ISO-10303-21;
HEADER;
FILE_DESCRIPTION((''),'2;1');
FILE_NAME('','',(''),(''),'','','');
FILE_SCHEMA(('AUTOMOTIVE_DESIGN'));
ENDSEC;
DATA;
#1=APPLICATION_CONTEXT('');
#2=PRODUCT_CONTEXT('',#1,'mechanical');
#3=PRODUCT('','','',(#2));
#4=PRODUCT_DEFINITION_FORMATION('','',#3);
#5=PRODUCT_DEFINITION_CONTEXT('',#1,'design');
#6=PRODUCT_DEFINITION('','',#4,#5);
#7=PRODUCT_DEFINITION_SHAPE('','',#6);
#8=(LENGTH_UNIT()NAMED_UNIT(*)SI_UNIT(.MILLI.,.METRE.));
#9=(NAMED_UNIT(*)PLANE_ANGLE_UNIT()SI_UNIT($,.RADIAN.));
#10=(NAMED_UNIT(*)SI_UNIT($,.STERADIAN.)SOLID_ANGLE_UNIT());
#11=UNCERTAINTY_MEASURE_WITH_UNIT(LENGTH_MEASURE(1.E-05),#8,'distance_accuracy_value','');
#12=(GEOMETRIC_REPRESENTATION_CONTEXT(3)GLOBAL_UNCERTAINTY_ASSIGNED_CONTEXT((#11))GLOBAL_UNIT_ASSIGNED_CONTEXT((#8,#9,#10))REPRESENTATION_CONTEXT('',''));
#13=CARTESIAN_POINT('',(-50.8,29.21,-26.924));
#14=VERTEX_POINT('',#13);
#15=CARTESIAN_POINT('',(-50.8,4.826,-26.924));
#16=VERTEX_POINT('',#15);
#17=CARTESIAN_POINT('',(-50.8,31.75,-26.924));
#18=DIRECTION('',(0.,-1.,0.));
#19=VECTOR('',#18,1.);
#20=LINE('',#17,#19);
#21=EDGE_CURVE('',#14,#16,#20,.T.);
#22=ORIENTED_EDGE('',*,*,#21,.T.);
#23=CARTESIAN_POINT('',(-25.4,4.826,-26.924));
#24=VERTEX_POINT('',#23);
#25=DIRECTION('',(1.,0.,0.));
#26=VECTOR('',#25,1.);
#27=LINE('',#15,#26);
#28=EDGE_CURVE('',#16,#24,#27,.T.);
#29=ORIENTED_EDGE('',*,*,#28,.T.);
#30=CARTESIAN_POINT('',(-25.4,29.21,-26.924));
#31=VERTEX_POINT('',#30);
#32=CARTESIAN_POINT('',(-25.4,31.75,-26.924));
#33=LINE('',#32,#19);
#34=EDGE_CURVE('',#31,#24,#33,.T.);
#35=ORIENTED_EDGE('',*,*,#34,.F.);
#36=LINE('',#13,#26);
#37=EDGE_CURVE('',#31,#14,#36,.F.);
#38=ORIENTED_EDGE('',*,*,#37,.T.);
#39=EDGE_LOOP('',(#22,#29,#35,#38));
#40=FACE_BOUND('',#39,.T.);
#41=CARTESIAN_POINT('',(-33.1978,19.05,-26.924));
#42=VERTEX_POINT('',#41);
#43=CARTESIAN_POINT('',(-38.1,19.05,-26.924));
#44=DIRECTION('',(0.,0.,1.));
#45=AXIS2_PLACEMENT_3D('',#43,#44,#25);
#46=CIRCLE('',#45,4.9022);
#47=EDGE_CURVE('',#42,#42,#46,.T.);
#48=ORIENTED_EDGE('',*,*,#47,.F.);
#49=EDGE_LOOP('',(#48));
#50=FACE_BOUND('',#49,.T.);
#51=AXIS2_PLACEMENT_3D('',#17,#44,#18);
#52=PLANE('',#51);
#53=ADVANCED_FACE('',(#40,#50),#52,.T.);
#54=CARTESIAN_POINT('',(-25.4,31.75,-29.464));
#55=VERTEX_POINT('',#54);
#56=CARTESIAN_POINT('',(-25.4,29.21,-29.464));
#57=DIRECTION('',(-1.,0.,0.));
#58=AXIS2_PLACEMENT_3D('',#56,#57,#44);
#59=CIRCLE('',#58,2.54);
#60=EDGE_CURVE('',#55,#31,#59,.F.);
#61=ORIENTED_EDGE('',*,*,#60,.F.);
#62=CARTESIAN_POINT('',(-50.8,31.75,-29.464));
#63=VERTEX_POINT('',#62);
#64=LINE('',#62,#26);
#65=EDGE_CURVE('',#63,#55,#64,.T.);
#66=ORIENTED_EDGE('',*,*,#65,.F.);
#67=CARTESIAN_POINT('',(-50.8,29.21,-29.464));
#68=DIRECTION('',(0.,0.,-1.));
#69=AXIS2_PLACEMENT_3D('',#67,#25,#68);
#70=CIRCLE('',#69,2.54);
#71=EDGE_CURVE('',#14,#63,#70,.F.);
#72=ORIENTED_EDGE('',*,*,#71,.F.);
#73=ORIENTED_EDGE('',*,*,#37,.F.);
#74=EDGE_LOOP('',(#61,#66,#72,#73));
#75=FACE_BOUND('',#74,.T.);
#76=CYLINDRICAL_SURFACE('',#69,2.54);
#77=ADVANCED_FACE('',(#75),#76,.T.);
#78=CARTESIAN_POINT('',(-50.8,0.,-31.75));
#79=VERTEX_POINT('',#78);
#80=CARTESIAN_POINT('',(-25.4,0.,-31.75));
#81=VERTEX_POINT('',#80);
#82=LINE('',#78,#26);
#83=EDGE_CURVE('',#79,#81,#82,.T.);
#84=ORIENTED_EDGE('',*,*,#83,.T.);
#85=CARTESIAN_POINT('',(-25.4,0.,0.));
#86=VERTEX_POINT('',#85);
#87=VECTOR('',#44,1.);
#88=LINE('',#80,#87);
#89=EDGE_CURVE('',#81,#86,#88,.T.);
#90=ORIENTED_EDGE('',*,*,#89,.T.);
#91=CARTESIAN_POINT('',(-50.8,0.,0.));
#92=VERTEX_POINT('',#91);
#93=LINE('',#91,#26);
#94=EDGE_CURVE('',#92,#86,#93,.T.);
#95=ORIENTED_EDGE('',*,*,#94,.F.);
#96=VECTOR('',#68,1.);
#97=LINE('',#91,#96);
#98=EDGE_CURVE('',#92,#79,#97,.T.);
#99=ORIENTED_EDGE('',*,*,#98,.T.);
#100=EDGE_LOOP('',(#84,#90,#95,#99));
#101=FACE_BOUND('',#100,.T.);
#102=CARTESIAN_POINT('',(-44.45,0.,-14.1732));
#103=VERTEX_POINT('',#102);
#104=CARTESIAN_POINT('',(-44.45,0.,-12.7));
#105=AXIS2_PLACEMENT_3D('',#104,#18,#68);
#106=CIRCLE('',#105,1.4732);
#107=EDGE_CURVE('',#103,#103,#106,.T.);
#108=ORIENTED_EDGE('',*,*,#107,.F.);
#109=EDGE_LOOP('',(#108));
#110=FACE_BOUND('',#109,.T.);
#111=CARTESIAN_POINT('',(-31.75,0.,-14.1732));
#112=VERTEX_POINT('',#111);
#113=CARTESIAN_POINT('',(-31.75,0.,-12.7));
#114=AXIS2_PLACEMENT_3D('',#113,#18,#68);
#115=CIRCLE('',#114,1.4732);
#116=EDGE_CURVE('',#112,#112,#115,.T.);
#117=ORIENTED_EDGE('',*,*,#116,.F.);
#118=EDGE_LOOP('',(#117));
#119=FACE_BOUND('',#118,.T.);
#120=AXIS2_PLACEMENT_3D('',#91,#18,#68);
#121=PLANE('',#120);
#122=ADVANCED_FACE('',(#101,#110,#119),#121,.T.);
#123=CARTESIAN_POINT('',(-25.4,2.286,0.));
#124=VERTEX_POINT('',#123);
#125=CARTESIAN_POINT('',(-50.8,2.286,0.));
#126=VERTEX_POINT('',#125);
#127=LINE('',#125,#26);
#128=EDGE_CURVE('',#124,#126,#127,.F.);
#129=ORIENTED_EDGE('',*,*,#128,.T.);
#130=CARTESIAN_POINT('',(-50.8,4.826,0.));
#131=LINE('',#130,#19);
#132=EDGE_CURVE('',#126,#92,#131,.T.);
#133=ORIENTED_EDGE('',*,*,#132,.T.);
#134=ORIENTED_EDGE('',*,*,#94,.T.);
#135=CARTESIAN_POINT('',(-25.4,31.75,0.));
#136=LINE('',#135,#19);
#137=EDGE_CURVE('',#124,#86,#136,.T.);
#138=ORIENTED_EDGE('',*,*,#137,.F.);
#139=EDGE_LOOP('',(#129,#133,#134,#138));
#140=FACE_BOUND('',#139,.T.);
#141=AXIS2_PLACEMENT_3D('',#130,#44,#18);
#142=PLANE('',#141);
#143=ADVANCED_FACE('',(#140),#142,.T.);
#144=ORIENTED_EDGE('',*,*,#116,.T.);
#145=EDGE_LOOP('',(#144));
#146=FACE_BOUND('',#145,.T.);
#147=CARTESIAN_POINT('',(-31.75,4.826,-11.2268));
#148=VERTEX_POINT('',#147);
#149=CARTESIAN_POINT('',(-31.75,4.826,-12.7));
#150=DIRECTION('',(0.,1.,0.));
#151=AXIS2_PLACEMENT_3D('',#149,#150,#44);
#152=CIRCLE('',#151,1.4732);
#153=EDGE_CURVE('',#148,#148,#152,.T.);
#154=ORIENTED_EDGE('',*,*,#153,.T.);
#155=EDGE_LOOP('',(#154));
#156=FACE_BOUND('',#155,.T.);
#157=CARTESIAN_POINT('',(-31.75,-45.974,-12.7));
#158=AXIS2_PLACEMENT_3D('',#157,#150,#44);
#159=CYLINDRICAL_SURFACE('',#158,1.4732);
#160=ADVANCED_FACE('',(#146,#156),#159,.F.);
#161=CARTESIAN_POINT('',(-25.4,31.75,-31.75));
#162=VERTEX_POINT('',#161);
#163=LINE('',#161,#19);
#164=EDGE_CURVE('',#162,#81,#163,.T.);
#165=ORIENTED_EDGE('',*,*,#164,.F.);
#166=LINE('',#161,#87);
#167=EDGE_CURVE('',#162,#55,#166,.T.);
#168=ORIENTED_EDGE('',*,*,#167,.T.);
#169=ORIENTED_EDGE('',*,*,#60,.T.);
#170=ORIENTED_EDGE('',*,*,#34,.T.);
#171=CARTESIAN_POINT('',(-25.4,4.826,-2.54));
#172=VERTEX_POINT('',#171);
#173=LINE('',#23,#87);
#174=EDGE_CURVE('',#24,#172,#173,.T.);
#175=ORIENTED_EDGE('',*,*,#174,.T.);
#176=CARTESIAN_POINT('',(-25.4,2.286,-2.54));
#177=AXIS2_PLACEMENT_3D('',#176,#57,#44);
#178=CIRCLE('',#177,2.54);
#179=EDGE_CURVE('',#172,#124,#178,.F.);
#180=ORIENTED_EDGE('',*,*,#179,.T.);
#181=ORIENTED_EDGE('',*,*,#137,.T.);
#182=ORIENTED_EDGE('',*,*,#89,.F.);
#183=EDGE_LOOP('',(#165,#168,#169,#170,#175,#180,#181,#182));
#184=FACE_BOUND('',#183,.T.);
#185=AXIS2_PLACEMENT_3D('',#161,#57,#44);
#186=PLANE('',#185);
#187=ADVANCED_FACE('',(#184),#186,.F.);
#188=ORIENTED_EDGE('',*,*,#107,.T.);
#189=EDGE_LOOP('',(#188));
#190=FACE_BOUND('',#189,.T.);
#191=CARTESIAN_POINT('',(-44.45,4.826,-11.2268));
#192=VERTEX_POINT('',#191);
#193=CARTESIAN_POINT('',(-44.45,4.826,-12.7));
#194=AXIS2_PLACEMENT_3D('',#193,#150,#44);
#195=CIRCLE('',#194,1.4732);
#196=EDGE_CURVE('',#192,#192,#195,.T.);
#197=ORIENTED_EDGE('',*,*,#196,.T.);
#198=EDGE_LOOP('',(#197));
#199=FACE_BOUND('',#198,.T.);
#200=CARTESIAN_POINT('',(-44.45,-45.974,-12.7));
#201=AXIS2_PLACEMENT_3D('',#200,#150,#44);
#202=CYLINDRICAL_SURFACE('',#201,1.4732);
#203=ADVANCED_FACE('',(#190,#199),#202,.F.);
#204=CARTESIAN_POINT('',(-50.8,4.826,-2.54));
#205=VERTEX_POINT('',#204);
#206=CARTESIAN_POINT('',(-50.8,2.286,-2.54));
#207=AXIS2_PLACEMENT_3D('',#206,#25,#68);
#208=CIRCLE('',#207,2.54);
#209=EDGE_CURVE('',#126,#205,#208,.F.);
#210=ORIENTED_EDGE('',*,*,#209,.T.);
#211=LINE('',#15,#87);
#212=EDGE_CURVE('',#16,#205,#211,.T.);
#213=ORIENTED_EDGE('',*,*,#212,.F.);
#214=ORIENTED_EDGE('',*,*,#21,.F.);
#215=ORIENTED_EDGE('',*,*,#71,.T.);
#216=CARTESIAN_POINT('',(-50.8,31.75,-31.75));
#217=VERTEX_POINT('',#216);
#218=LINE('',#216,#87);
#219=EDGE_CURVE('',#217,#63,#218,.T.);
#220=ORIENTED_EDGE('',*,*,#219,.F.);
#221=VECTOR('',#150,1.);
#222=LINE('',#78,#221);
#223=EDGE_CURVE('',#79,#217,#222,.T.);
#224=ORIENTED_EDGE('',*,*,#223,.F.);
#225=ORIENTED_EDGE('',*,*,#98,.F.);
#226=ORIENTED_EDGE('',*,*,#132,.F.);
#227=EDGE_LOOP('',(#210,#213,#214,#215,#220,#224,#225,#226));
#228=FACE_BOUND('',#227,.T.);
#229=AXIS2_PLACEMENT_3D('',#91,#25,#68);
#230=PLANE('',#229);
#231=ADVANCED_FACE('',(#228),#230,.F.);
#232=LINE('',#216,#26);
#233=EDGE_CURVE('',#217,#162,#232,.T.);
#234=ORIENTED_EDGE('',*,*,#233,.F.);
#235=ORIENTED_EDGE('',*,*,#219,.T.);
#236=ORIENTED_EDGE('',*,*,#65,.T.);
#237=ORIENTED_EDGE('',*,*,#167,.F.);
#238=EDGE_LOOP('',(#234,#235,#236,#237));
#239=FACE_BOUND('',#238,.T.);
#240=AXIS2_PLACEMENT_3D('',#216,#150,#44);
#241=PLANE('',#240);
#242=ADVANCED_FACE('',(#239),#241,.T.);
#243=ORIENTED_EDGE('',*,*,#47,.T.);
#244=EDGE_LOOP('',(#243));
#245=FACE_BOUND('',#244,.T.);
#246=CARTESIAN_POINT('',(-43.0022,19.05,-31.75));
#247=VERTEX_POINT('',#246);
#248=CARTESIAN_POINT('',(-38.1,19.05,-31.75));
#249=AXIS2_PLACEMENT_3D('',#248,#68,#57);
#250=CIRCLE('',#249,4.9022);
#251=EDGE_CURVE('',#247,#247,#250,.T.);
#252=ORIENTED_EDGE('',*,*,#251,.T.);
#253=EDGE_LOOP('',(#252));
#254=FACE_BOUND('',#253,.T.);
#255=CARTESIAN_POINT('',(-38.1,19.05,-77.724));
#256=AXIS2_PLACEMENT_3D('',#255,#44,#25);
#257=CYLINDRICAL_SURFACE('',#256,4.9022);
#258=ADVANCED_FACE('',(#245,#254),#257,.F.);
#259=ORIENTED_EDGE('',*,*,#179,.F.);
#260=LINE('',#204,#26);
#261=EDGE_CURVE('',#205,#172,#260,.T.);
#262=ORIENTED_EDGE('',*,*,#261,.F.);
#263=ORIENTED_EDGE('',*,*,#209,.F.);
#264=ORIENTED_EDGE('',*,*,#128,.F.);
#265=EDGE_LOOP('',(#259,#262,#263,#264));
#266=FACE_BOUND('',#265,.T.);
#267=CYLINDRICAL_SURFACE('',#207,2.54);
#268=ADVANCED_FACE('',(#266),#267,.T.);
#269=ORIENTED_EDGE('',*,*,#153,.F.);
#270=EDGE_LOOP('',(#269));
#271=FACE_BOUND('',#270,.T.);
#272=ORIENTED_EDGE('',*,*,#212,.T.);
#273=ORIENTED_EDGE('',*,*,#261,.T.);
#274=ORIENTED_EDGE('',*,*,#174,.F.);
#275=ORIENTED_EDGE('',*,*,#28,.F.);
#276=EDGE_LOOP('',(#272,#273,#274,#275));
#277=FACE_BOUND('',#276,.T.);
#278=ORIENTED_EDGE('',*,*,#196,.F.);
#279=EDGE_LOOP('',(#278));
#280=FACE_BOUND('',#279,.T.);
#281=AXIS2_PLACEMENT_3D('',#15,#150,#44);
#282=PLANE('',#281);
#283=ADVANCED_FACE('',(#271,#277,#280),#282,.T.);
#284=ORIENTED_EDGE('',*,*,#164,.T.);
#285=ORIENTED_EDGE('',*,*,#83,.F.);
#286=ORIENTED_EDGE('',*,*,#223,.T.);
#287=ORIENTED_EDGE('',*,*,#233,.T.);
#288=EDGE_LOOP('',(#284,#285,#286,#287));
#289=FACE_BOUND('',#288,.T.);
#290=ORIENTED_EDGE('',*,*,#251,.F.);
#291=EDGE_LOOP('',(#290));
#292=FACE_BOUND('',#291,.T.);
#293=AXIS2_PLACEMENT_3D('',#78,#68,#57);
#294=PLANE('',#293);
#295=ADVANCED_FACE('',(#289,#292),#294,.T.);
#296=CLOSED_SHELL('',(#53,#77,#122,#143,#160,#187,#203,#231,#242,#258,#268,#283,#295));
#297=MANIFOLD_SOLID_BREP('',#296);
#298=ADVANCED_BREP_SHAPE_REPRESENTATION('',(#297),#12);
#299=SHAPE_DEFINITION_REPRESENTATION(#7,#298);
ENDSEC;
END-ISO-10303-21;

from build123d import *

# Parameters (mm, degrees)
BOSS_EXTRUDE1_DEPTH     = 50.8
SKETCH3_R               = 4.9022
CUT_EXTRUDE1_DEPTH      = 50.8
SKETCH4_R               = 1.4732
CUT_EXTRUDE2_DEPTH      = 50.8
FILLET1_R               = 2.54
SKETCH5_W               = 25.4
SKETCH5_H               = 31.75
CUT_EXTRUDE3_DEPTH      = 27.924
CUT_EXTRUDE3_DEPTH_BACK = 5.826


with BuildPart() as part:
    # Sketch2 → Boss-Extrude1 (new body)
    with BuildSketch(Plane(origin=(0, 0, 0), x_dir=(0, 0, -1), z_dir=(1, 0, 0))):
        Polygon((0, 0), (31.75, 0), (31.75, 31.75), (26.924, 31.75), (26.924, 4.826), (0, 4.826), align=None)
    extrude(amount=-BOSS_EXTRUDE1_DEPTH)

    # Sketch3 → Cut-Extrude1 (cut)
    with BuildSketch(Plane.XY.offset(-26.924)):
        with Locations((-38.1, 19.05)):
            Circle(SKETCH3_R)
        with Locations((-12.7, 19.05)):
            Circle(SKETCH3_R)
    extrude(amount=-CUT_EXTRUDE1_DEPTH, mode=Mode.SUBTRACT)

    # Sketch4 → Cut-Extrude2 (cut)
    with BuildSketch(Plane(origin=(0, 4.826, 0), x_dir=(1, 0, 0), z_dir=(0, 1, 0))):
        with Locations((-44.45, 12.7)):
            Circle(SKETCH4_R)
        with Locations((-31.75, 12.7)):
            Circle(SKETCH4_R)
    extrude(amount=-CUT_EXTRUDE2_DEPTH, mode=Mode.SUBTRACT)

    # Fillet1
    fillet1_edges = [part.edges().sort_by_distance(p)[0] for p in [
        (-25.4, 4.826, 0),
        (-25.4, 31.75, -26.924),
    ]]
    fillet(fillet1_edges, radius=FILLET1_R)

    # Sketch5 → Cut-Extrude3 (cut, two sides)
    with BuildSketch(Plane.XY.offset(-26.924)) as cut_extrude3_sk:
        with Locations((-12.7, 15.875)):
            Rectangle(SKETCH5_W, SKETCH5_H)
    extrude(amount=CUT_EXTRUDE3_DEPTH, mode=Mode.SUBTRACT)
    extrude(cut_extrude3_sk.sketch, amount=-CUT_EXTRUDE3_DEPTH_BACK, mode=Mode.SUBTRACT)


solid = part.part
